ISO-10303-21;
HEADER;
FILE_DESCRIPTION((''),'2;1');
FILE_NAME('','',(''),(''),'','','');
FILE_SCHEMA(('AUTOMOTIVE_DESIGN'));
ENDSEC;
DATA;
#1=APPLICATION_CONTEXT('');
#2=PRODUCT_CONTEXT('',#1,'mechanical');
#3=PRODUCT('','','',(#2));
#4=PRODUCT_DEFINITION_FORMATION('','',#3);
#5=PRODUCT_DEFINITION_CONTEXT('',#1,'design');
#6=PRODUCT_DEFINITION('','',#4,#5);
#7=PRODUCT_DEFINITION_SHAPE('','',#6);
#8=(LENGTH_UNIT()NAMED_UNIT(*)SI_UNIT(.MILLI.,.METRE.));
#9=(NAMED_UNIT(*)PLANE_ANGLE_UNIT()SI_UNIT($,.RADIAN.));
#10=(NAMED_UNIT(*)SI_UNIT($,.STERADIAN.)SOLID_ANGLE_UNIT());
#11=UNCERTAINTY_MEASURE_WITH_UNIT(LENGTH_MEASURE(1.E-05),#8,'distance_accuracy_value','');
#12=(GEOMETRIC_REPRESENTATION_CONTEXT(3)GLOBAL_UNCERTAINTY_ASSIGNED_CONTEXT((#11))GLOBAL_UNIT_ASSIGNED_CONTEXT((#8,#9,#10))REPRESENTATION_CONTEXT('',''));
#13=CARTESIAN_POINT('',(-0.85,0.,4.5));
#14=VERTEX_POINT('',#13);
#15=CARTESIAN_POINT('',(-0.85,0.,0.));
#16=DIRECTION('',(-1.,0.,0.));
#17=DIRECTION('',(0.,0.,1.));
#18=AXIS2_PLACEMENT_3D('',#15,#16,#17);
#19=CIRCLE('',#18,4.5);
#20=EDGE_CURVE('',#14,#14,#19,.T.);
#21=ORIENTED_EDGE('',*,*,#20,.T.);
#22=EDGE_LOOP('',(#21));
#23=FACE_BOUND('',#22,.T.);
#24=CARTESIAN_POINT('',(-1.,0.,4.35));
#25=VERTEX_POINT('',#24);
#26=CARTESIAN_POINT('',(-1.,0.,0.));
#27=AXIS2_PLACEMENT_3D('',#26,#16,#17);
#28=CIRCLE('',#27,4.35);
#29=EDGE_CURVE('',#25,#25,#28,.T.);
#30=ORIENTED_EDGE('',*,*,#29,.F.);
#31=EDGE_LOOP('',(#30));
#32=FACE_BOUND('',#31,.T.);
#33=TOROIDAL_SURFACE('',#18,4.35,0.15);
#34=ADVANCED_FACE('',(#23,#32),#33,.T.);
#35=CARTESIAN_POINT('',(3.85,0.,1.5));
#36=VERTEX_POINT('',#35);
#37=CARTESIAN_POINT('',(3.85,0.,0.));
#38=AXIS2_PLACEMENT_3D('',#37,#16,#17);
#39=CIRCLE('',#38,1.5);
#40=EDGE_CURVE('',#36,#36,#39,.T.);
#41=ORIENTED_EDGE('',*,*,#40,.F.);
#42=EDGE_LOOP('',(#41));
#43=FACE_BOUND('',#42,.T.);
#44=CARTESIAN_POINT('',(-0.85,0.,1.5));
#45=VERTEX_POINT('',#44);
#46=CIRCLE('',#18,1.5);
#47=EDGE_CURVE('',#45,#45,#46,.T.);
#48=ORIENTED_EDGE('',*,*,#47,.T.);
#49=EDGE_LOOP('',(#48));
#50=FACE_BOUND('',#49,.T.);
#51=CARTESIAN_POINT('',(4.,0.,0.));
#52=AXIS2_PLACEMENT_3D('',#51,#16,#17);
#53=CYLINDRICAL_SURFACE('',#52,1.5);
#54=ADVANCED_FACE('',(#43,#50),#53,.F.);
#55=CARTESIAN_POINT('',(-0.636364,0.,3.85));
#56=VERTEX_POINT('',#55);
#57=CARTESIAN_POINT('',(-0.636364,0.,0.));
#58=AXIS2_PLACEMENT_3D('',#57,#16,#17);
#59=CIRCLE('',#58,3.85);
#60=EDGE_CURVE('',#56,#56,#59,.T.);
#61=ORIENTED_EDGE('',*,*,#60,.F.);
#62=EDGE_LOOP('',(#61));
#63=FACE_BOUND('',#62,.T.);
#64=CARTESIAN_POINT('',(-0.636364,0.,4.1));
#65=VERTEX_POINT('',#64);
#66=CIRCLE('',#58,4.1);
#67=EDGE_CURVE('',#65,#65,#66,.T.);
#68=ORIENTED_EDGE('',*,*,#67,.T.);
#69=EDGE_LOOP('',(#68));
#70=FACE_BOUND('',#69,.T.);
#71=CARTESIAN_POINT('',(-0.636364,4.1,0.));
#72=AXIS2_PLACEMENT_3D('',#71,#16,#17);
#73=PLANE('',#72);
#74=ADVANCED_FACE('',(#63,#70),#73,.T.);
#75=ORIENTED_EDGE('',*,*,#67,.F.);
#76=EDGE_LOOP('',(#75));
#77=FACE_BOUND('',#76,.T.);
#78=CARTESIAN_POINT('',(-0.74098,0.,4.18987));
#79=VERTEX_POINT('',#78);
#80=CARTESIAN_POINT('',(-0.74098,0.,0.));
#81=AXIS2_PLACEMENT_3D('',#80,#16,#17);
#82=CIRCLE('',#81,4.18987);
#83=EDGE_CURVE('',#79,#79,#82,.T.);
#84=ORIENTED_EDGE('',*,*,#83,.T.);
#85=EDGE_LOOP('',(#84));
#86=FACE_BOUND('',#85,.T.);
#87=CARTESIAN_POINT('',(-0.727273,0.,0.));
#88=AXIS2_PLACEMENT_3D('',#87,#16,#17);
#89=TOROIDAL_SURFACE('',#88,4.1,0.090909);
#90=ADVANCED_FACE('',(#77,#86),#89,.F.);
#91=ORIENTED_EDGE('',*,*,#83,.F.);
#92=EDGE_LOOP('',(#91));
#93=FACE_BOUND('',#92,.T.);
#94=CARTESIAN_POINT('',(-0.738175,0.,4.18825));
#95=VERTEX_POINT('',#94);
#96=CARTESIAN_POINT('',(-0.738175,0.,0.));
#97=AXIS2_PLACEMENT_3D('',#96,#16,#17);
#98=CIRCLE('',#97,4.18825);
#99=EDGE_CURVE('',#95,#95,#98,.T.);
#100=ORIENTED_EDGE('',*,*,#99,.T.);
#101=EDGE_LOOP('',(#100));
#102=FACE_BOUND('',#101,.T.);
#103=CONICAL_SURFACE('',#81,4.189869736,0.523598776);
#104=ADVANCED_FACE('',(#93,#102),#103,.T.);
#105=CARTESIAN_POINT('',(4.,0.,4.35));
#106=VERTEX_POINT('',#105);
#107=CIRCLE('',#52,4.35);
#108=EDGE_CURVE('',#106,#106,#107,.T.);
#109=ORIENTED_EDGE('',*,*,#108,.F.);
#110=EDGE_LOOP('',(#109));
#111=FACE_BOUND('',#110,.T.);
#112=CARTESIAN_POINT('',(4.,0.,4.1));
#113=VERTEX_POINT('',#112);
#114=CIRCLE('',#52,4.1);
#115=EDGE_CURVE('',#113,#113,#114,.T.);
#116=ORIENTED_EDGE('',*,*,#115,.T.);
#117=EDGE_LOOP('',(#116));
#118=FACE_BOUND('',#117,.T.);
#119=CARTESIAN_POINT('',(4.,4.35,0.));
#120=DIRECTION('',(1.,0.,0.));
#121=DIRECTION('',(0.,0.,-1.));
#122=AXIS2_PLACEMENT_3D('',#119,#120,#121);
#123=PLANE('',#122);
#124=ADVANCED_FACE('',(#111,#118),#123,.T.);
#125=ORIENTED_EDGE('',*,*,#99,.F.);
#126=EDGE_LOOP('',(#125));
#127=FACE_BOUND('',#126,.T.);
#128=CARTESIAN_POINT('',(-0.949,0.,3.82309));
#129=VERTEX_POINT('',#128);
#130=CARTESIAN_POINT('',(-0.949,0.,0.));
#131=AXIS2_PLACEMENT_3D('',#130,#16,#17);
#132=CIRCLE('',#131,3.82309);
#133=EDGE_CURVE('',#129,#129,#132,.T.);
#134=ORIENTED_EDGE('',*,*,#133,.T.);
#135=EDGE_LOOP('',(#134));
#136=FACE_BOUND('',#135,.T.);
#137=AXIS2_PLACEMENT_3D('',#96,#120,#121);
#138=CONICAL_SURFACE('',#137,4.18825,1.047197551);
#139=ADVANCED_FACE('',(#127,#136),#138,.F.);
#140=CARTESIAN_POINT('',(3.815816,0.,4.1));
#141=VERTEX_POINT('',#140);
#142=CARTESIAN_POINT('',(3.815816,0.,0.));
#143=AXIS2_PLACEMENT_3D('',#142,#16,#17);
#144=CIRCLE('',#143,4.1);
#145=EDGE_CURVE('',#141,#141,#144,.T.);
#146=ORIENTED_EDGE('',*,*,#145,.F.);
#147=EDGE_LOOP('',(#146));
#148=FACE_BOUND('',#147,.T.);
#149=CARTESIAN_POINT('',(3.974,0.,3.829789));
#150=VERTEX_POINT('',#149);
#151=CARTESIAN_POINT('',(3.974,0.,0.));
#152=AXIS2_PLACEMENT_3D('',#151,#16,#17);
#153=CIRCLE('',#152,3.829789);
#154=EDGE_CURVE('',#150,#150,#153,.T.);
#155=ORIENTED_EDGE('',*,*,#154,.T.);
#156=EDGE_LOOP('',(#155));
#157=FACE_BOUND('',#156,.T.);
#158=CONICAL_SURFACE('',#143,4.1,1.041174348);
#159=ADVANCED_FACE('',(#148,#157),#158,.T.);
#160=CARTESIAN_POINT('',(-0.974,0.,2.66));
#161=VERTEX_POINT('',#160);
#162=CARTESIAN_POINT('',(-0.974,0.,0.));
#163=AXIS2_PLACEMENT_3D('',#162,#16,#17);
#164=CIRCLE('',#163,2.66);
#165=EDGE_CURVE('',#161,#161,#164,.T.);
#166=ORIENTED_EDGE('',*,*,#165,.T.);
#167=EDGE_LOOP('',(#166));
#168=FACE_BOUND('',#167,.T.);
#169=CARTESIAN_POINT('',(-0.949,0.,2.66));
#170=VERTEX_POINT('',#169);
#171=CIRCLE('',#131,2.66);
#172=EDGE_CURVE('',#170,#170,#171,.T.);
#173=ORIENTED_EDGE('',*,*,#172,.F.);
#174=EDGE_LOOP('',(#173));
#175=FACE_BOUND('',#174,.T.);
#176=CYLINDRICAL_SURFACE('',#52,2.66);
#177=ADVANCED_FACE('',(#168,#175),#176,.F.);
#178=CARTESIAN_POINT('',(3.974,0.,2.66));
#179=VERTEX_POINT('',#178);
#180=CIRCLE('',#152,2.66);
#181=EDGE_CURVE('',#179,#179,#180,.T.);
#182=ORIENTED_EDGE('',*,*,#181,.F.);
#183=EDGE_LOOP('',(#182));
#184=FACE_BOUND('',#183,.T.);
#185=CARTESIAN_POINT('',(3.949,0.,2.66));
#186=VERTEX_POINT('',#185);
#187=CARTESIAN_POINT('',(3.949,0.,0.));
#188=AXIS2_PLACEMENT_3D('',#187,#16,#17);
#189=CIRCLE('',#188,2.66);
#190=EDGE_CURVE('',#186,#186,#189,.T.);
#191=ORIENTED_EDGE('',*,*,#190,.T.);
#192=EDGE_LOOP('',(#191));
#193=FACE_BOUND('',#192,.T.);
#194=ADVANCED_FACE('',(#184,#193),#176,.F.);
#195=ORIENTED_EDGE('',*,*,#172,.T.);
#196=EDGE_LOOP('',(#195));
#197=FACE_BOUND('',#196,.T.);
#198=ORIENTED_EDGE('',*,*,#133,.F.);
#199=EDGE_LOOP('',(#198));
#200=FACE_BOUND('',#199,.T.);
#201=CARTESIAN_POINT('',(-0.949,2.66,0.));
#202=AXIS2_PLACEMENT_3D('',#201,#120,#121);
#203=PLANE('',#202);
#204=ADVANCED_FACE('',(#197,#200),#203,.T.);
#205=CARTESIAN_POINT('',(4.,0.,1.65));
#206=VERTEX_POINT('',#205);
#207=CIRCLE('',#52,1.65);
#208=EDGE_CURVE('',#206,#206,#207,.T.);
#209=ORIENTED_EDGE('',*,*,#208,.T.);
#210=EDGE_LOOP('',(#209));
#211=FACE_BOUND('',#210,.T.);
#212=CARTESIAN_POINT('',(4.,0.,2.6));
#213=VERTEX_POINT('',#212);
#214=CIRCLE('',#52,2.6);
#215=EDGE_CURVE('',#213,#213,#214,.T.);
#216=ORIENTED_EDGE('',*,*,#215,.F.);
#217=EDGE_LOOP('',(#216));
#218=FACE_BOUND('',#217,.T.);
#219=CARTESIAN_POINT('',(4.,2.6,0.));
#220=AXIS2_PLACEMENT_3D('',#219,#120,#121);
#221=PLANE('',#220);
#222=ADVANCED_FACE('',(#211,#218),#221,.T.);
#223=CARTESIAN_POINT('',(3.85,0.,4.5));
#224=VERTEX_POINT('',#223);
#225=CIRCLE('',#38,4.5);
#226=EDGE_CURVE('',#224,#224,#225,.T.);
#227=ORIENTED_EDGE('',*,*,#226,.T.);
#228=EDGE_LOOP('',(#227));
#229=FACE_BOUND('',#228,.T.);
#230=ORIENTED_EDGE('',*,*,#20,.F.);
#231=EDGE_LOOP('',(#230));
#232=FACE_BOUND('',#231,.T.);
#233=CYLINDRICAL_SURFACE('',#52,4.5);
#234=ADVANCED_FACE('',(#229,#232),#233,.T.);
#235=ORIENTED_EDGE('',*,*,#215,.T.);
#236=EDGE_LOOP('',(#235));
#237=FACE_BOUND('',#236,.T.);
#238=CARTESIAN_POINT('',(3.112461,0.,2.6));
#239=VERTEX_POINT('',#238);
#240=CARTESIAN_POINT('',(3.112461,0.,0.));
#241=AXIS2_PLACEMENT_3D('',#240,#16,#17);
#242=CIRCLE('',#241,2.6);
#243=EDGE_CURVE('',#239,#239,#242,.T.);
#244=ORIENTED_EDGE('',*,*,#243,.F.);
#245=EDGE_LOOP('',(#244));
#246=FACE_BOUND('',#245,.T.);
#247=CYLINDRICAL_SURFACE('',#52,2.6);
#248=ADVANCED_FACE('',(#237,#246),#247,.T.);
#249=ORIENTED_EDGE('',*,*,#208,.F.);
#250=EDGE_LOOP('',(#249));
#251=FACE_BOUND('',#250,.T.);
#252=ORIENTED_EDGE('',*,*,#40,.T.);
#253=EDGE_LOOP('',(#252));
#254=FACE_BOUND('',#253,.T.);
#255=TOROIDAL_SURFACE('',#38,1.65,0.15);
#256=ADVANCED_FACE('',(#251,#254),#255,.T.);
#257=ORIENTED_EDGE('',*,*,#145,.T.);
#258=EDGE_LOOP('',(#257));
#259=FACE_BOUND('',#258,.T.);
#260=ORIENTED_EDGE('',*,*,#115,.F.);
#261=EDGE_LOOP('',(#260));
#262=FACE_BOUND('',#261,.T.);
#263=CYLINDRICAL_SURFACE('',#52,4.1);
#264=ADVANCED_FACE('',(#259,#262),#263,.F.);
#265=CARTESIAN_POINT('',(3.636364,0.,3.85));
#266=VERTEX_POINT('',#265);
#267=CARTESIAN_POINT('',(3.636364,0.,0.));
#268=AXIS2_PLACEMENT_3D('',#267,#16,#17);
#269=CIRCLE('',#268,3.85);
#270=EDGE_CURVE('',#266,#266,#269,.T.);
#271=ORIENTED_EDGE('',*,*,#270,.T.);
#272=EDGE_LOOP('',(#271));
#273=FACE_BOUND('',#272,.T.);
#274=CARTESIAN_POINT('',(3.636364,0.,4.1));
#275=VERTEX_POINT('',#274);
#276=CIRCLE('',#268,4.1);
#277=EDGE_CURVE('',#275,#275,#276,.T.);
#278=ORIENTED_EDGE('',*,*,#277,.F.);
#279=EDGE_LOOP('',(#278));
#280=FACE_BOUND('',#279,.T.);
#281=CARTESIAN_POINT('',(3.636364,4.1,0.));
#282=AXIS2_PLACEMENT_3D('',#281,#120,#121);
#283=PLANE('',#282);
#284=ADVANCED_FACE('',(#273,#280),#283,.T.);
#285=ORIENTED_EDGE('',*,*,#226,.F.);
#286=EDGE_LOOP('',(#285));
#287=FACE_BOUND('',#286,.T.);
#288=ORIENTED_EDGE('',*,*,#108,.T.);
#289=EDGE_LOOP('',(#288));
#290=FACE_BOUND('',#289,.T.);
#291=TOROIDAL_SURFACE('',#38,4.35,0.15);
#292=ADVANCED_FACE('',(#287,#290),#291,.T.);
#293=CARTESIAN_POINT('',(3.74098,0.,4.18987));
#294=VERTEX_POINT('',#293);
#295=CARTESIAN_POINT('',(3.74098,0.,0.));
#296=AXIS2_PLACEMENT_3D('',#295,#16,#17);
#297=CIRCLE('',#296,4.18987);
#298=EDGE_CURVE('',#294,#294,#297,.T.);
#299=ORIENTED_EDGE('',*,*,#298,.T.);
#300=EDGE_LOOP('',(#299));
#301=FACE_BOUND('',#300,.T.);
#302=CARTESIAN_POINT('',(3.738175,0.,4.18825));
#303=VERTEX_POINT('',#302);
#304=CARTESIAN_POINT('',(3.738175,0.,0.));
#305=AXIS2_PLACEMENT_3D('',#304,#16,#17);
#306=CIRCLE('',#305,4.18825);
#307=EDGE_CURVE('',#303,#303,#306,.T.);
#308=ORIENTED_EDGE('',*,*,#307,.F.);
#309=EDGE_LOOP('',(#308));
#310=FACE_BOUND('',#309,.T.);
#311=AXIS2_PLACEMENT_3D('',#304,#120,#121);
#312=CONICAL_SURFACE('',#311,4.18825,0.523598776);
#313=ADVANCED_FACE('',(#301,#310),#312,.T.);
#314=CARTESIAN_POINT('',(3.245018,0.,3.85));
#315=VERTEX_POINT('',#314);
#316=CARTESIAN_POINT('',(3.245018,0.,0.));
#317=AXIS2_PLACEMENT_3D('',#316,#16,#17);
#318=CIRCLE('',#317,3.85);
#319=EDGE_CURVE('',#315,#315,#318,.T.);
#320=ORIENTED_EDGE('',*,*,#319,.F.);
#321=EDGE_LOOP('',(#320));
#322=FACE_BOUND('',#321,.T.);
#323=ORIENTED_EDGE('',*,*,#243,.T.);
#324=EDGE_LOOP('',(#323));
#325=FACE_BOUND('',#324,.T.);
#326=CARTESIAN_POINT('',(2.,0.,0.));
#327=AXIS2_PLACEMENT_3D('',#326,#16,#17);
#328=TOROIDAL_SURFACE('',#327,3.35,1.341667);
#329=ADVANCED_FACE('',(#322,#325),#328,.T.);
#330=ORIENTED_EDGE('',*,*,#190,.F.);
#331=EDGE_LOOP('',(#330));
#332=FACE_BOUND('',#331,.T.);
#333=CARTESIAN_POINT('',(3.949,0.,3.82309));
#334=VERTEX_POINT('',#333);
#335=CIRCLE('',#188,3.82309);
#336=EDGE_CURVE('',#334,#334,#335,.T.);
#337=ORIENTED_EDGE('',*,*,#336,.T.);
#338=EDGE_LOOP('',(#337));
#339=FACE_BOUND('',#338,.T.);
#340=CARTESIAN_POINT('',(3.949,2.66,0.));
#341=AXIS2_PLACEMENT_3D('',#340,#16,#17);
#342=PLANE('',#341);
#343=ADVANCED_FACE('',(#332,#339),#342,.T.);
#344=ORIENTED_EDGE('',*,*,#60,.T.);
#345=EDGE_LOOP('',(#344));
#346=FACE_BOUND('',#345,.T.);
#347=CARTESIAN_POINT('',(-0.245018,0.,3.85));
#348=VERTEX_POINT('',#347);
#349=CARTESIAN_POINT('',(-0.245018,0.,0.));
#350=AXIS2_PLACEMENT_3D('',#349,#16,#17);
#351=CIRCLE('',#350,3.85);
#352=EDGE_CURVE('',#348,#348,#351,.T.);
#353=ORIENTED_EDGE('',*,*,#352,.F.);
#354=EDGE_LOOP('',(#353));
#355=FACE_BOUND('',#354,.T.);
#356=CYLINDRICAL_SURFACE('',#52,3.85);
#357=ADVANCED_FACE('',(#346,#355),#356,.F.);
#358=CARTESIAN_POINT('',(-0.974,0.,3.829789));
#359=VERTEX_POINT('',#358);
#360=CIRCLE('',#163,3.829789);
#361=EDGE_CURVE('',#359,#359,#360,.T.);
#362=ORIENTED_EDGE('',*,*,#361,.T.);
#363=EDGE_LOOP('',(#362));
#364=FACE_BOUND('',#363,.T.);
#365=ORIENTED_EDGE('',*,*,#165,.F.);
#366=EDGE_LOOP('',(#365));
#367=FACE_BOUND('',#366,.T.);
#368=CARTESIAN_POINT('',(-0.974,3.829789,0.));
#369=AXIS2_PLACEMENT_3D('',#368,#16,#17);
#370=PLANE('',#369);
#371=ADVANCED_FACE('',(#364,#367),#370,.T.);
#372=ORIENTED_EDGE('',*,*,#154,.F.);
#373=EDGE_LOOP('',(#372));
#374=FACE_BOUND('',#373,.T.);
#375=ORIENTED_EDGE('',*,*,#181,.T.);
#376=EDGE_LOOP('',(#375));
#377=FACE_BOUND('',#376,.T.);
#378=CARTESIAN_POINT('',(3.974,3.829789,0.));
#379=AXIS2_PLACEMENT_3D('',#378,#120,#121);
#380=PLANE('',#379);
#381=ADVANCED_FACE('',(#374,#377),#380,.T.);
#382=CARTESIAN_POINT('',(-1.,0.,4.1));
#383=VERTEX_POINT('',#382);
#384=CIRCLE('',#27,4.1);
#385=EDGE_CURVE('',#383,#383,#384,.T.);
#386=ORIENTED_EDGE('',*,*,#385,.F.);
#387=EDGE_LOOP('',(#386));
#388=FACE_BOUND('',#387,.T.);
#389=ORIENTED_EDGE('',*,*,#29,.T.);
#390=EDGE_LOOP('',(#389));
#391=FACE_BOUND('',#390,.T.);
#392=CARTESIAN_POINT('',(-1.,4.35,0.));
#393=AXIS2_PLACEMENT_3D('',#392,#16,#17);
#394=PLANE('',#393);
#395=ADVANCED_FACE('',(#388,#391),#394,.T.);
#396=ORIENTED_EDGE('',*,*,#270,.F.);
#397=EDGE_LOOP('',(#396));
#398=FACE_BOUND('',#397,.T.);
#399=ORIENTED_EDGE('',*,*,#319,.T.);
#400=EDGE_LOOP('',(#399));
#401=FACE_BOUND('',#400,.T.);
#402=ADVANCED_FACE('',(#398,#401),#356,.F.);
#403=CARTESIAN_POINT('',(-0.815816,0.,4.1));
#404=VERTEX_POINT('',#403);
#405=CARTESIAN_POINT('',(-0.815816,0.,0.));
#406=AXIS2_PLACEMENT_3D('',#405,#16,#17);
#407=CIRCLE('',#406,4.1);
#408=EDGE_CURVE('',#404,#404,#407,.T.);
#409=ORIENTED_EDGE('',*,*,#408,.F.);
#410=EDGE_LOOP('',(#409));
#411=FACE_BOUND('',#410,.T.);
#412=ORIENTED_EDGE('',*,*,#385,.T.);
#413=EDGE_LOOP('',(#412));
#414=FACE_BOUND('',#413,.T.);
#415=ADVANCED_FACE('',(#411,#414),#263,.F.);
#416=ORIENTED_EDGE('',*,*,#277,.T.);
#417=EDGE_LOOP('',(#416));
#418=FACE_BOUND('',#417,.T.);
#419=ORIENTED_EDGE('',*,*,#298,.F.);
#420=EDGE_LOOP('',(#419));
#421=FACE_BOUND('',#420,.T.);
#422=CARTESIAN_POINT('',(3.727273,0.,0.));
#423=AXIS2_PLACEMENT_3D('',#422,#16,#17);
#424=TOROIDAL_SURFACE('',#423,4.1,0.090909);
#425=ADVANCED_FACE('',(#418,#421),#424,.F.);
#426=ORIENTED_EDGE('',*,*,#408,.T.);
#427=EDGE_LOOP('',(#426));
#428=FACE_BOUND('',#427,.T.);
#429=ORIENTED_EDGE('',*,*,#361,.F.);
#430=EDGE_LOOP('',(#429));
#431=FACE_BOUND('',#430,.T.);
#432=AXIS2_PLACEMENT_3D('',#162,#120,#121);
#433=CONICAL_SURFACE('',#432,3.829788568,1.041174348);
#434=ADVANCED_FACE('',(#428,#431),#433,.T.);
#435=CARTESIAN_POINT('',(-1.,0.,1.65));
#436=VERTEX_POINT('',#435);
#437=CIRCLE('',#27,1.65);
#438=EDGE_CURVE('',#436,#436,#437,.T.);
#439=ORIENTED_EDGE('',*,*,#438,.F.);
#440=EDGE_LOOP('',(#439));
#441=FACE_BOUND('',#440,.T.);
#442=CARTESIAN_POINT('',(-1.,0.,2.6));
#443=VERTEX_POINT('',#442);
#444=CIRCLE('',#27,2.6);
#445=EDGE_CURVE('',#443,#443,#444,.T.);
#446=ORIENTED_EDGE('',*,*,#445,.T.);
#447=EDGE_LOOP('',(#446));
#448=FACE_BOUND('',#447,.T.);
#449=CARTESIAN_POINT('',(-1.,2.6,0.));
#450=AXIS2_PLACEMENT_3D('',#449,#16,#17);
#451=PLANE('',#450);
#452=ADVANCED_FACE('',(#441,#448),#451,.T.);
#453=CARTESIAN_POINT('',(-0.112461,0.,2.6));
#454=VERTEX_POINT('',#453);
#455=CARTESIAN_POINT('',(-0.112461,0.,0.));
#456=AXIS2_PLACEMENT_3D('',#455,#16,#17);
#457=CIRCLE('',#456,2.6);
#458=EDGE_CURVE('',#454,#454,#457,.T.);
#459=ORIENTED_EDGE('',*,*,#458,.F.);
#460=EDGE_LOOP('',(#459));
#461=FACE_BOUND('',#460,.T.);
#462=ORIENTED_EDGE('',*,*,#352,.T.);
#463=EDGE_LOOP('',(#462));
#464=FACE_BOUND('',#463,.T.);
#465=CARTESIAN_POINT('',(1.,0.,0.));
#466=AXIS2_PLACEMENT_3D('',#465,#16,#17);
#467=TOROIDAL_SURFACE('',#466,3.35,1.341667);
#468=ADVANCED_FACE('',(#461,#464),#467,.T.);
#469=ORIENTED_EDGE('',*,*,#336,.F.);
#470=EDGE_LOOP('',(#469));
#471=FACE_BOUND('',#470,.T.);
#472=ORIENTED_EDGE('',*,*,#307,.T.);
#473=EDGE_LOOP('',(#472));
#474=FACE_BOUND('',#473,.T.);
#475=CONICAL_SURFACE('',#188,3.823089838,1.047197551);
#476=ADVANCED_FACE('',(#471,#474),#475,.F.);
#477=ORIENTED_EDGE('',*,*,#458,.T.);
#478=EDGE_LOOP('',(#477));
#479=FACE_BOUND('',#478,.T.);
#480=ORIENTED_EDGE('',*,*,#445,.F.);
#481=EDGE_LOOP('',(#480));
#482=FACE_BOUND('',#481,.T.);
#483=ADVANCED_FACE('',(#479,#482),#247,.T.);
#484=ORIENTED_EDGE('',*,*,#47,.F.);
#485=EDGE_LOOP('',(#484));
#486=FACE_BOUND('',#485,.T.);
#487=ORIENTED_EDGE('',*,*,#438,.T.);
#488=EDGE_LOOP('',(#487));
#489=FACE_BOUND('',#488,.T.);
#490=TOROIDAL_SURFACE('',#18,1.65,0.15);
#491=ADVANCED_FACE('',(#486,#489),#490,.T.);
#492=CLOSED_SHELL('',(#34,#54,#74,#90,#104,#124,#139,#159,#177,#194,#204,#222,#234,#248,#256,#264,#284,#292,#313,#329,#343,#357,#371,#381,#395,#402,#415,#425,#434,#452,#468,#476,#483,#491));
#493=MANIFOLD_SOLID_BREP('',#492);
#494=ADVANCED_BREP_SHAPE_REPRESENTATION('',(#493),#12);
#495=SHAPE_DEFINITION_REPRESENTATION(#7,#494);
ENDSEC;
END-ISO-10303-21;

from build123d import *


with BuildPart() as part:
    # Esquisse1 → Révolution1 (revolve)
    with BuildSketch(Plane(origin=(0, 0, 0), x_dir=(-1, 0, 0), z_dir=(0, 0, -1))):
        with BuildLine():
            Line((-4, 2.6), (-4, 1.65))
            ThreePointArc((-4, 1.65), (-3.956066017, 1.543933983), (-3.85, 1.5))
            Line((-3.85, 1.5), (0.85, 1.5))
            ThreePointArc((0.85, 1.5), (0.956066017, 1.543933983), (1, 1.65))
            Line((1, 1.65), (1, 2.6))
            Line((1, 2.6), (0.112460986, 2.6))
            ThreePointArc((0.112460986, 2.6), (0.334185749, 3.208515617), (0.245017849, 3.85))
            Line((0.245017849, 3.85), (0.636363636, 3.85))
            Line((0.636363636, 3.85), (0.636363636, 4.1))
            ThreePointArc((0.636363636, 4.1), (0.668034506, 4.168958654), (0.740980147, 4.189869736))
            Line((0.740980147, 4.189869736), (0.738174682, 4.18825))
            Line((0.738174682, 4.18825), (0.949, 3.823089838))
            Line((0.949, 3.823089838), (0.949, 2.66))
            Line((0.949, 2.66), (0.974, 2.66))
            Line((0.974, 2.66), (0.974, 3.829788568))
            Line((0.974, 3.829788568), (0.815815707, 4.1))
            Line((0.815815707, 4.1), (1, 4.1))
            Line((1, 4.1), (1, 4.35))
            ThreePointArc((1, 4.35), (0.956066017, 4.456066017), (0.85, 4.5))
            Line((0.85, 4.5), (-3.85, 4.5))
            ThreePointArc((-3.85, 4.5), (-3.956066017, 4.456066017), (-4, 4.35))
            Line((-4, 4.35), (-4, 4.1))
            Line((-4, 4.1), (-3.815815707, 4.1))
            Line((-3.815815707, 4.1), (-3.974, 3.829788568))
            Line((-3.974, 3.829788568), (-3.974, 2.66))
            Line((-3.974, 2.66), (-3.949, 2.66))
            Line((-3.949, 2.66), (-3.949, 3.823089838))
            Line((-3.949, 3.823089838), (-3.738174682, 4.18825))
            Line((-3.738174682, 4.18825), (-3.740980147, 4.189869736))
            ThreePointArc((-3.740980147, 4.189869736), (-3.668034506, 4.168958654), (-3.636363636, 4.1))
            Line((-3.636363636, 4.1), (-3.636363636, 3.85))
            Line((-3.636363636, 3.85), (-3.245017849, 3.85))
            ThreePointArc((-3.245017849, 3.85), (-3.334185749, 3.208515617), (-3.112460986, 2.6))
            Line((-3.112460986, 2.6), (-4, 2.6))
        make_face()
    revolve(axis=Axis((4, 0, 0), (-1, 0, 0)))


solid = part.part
